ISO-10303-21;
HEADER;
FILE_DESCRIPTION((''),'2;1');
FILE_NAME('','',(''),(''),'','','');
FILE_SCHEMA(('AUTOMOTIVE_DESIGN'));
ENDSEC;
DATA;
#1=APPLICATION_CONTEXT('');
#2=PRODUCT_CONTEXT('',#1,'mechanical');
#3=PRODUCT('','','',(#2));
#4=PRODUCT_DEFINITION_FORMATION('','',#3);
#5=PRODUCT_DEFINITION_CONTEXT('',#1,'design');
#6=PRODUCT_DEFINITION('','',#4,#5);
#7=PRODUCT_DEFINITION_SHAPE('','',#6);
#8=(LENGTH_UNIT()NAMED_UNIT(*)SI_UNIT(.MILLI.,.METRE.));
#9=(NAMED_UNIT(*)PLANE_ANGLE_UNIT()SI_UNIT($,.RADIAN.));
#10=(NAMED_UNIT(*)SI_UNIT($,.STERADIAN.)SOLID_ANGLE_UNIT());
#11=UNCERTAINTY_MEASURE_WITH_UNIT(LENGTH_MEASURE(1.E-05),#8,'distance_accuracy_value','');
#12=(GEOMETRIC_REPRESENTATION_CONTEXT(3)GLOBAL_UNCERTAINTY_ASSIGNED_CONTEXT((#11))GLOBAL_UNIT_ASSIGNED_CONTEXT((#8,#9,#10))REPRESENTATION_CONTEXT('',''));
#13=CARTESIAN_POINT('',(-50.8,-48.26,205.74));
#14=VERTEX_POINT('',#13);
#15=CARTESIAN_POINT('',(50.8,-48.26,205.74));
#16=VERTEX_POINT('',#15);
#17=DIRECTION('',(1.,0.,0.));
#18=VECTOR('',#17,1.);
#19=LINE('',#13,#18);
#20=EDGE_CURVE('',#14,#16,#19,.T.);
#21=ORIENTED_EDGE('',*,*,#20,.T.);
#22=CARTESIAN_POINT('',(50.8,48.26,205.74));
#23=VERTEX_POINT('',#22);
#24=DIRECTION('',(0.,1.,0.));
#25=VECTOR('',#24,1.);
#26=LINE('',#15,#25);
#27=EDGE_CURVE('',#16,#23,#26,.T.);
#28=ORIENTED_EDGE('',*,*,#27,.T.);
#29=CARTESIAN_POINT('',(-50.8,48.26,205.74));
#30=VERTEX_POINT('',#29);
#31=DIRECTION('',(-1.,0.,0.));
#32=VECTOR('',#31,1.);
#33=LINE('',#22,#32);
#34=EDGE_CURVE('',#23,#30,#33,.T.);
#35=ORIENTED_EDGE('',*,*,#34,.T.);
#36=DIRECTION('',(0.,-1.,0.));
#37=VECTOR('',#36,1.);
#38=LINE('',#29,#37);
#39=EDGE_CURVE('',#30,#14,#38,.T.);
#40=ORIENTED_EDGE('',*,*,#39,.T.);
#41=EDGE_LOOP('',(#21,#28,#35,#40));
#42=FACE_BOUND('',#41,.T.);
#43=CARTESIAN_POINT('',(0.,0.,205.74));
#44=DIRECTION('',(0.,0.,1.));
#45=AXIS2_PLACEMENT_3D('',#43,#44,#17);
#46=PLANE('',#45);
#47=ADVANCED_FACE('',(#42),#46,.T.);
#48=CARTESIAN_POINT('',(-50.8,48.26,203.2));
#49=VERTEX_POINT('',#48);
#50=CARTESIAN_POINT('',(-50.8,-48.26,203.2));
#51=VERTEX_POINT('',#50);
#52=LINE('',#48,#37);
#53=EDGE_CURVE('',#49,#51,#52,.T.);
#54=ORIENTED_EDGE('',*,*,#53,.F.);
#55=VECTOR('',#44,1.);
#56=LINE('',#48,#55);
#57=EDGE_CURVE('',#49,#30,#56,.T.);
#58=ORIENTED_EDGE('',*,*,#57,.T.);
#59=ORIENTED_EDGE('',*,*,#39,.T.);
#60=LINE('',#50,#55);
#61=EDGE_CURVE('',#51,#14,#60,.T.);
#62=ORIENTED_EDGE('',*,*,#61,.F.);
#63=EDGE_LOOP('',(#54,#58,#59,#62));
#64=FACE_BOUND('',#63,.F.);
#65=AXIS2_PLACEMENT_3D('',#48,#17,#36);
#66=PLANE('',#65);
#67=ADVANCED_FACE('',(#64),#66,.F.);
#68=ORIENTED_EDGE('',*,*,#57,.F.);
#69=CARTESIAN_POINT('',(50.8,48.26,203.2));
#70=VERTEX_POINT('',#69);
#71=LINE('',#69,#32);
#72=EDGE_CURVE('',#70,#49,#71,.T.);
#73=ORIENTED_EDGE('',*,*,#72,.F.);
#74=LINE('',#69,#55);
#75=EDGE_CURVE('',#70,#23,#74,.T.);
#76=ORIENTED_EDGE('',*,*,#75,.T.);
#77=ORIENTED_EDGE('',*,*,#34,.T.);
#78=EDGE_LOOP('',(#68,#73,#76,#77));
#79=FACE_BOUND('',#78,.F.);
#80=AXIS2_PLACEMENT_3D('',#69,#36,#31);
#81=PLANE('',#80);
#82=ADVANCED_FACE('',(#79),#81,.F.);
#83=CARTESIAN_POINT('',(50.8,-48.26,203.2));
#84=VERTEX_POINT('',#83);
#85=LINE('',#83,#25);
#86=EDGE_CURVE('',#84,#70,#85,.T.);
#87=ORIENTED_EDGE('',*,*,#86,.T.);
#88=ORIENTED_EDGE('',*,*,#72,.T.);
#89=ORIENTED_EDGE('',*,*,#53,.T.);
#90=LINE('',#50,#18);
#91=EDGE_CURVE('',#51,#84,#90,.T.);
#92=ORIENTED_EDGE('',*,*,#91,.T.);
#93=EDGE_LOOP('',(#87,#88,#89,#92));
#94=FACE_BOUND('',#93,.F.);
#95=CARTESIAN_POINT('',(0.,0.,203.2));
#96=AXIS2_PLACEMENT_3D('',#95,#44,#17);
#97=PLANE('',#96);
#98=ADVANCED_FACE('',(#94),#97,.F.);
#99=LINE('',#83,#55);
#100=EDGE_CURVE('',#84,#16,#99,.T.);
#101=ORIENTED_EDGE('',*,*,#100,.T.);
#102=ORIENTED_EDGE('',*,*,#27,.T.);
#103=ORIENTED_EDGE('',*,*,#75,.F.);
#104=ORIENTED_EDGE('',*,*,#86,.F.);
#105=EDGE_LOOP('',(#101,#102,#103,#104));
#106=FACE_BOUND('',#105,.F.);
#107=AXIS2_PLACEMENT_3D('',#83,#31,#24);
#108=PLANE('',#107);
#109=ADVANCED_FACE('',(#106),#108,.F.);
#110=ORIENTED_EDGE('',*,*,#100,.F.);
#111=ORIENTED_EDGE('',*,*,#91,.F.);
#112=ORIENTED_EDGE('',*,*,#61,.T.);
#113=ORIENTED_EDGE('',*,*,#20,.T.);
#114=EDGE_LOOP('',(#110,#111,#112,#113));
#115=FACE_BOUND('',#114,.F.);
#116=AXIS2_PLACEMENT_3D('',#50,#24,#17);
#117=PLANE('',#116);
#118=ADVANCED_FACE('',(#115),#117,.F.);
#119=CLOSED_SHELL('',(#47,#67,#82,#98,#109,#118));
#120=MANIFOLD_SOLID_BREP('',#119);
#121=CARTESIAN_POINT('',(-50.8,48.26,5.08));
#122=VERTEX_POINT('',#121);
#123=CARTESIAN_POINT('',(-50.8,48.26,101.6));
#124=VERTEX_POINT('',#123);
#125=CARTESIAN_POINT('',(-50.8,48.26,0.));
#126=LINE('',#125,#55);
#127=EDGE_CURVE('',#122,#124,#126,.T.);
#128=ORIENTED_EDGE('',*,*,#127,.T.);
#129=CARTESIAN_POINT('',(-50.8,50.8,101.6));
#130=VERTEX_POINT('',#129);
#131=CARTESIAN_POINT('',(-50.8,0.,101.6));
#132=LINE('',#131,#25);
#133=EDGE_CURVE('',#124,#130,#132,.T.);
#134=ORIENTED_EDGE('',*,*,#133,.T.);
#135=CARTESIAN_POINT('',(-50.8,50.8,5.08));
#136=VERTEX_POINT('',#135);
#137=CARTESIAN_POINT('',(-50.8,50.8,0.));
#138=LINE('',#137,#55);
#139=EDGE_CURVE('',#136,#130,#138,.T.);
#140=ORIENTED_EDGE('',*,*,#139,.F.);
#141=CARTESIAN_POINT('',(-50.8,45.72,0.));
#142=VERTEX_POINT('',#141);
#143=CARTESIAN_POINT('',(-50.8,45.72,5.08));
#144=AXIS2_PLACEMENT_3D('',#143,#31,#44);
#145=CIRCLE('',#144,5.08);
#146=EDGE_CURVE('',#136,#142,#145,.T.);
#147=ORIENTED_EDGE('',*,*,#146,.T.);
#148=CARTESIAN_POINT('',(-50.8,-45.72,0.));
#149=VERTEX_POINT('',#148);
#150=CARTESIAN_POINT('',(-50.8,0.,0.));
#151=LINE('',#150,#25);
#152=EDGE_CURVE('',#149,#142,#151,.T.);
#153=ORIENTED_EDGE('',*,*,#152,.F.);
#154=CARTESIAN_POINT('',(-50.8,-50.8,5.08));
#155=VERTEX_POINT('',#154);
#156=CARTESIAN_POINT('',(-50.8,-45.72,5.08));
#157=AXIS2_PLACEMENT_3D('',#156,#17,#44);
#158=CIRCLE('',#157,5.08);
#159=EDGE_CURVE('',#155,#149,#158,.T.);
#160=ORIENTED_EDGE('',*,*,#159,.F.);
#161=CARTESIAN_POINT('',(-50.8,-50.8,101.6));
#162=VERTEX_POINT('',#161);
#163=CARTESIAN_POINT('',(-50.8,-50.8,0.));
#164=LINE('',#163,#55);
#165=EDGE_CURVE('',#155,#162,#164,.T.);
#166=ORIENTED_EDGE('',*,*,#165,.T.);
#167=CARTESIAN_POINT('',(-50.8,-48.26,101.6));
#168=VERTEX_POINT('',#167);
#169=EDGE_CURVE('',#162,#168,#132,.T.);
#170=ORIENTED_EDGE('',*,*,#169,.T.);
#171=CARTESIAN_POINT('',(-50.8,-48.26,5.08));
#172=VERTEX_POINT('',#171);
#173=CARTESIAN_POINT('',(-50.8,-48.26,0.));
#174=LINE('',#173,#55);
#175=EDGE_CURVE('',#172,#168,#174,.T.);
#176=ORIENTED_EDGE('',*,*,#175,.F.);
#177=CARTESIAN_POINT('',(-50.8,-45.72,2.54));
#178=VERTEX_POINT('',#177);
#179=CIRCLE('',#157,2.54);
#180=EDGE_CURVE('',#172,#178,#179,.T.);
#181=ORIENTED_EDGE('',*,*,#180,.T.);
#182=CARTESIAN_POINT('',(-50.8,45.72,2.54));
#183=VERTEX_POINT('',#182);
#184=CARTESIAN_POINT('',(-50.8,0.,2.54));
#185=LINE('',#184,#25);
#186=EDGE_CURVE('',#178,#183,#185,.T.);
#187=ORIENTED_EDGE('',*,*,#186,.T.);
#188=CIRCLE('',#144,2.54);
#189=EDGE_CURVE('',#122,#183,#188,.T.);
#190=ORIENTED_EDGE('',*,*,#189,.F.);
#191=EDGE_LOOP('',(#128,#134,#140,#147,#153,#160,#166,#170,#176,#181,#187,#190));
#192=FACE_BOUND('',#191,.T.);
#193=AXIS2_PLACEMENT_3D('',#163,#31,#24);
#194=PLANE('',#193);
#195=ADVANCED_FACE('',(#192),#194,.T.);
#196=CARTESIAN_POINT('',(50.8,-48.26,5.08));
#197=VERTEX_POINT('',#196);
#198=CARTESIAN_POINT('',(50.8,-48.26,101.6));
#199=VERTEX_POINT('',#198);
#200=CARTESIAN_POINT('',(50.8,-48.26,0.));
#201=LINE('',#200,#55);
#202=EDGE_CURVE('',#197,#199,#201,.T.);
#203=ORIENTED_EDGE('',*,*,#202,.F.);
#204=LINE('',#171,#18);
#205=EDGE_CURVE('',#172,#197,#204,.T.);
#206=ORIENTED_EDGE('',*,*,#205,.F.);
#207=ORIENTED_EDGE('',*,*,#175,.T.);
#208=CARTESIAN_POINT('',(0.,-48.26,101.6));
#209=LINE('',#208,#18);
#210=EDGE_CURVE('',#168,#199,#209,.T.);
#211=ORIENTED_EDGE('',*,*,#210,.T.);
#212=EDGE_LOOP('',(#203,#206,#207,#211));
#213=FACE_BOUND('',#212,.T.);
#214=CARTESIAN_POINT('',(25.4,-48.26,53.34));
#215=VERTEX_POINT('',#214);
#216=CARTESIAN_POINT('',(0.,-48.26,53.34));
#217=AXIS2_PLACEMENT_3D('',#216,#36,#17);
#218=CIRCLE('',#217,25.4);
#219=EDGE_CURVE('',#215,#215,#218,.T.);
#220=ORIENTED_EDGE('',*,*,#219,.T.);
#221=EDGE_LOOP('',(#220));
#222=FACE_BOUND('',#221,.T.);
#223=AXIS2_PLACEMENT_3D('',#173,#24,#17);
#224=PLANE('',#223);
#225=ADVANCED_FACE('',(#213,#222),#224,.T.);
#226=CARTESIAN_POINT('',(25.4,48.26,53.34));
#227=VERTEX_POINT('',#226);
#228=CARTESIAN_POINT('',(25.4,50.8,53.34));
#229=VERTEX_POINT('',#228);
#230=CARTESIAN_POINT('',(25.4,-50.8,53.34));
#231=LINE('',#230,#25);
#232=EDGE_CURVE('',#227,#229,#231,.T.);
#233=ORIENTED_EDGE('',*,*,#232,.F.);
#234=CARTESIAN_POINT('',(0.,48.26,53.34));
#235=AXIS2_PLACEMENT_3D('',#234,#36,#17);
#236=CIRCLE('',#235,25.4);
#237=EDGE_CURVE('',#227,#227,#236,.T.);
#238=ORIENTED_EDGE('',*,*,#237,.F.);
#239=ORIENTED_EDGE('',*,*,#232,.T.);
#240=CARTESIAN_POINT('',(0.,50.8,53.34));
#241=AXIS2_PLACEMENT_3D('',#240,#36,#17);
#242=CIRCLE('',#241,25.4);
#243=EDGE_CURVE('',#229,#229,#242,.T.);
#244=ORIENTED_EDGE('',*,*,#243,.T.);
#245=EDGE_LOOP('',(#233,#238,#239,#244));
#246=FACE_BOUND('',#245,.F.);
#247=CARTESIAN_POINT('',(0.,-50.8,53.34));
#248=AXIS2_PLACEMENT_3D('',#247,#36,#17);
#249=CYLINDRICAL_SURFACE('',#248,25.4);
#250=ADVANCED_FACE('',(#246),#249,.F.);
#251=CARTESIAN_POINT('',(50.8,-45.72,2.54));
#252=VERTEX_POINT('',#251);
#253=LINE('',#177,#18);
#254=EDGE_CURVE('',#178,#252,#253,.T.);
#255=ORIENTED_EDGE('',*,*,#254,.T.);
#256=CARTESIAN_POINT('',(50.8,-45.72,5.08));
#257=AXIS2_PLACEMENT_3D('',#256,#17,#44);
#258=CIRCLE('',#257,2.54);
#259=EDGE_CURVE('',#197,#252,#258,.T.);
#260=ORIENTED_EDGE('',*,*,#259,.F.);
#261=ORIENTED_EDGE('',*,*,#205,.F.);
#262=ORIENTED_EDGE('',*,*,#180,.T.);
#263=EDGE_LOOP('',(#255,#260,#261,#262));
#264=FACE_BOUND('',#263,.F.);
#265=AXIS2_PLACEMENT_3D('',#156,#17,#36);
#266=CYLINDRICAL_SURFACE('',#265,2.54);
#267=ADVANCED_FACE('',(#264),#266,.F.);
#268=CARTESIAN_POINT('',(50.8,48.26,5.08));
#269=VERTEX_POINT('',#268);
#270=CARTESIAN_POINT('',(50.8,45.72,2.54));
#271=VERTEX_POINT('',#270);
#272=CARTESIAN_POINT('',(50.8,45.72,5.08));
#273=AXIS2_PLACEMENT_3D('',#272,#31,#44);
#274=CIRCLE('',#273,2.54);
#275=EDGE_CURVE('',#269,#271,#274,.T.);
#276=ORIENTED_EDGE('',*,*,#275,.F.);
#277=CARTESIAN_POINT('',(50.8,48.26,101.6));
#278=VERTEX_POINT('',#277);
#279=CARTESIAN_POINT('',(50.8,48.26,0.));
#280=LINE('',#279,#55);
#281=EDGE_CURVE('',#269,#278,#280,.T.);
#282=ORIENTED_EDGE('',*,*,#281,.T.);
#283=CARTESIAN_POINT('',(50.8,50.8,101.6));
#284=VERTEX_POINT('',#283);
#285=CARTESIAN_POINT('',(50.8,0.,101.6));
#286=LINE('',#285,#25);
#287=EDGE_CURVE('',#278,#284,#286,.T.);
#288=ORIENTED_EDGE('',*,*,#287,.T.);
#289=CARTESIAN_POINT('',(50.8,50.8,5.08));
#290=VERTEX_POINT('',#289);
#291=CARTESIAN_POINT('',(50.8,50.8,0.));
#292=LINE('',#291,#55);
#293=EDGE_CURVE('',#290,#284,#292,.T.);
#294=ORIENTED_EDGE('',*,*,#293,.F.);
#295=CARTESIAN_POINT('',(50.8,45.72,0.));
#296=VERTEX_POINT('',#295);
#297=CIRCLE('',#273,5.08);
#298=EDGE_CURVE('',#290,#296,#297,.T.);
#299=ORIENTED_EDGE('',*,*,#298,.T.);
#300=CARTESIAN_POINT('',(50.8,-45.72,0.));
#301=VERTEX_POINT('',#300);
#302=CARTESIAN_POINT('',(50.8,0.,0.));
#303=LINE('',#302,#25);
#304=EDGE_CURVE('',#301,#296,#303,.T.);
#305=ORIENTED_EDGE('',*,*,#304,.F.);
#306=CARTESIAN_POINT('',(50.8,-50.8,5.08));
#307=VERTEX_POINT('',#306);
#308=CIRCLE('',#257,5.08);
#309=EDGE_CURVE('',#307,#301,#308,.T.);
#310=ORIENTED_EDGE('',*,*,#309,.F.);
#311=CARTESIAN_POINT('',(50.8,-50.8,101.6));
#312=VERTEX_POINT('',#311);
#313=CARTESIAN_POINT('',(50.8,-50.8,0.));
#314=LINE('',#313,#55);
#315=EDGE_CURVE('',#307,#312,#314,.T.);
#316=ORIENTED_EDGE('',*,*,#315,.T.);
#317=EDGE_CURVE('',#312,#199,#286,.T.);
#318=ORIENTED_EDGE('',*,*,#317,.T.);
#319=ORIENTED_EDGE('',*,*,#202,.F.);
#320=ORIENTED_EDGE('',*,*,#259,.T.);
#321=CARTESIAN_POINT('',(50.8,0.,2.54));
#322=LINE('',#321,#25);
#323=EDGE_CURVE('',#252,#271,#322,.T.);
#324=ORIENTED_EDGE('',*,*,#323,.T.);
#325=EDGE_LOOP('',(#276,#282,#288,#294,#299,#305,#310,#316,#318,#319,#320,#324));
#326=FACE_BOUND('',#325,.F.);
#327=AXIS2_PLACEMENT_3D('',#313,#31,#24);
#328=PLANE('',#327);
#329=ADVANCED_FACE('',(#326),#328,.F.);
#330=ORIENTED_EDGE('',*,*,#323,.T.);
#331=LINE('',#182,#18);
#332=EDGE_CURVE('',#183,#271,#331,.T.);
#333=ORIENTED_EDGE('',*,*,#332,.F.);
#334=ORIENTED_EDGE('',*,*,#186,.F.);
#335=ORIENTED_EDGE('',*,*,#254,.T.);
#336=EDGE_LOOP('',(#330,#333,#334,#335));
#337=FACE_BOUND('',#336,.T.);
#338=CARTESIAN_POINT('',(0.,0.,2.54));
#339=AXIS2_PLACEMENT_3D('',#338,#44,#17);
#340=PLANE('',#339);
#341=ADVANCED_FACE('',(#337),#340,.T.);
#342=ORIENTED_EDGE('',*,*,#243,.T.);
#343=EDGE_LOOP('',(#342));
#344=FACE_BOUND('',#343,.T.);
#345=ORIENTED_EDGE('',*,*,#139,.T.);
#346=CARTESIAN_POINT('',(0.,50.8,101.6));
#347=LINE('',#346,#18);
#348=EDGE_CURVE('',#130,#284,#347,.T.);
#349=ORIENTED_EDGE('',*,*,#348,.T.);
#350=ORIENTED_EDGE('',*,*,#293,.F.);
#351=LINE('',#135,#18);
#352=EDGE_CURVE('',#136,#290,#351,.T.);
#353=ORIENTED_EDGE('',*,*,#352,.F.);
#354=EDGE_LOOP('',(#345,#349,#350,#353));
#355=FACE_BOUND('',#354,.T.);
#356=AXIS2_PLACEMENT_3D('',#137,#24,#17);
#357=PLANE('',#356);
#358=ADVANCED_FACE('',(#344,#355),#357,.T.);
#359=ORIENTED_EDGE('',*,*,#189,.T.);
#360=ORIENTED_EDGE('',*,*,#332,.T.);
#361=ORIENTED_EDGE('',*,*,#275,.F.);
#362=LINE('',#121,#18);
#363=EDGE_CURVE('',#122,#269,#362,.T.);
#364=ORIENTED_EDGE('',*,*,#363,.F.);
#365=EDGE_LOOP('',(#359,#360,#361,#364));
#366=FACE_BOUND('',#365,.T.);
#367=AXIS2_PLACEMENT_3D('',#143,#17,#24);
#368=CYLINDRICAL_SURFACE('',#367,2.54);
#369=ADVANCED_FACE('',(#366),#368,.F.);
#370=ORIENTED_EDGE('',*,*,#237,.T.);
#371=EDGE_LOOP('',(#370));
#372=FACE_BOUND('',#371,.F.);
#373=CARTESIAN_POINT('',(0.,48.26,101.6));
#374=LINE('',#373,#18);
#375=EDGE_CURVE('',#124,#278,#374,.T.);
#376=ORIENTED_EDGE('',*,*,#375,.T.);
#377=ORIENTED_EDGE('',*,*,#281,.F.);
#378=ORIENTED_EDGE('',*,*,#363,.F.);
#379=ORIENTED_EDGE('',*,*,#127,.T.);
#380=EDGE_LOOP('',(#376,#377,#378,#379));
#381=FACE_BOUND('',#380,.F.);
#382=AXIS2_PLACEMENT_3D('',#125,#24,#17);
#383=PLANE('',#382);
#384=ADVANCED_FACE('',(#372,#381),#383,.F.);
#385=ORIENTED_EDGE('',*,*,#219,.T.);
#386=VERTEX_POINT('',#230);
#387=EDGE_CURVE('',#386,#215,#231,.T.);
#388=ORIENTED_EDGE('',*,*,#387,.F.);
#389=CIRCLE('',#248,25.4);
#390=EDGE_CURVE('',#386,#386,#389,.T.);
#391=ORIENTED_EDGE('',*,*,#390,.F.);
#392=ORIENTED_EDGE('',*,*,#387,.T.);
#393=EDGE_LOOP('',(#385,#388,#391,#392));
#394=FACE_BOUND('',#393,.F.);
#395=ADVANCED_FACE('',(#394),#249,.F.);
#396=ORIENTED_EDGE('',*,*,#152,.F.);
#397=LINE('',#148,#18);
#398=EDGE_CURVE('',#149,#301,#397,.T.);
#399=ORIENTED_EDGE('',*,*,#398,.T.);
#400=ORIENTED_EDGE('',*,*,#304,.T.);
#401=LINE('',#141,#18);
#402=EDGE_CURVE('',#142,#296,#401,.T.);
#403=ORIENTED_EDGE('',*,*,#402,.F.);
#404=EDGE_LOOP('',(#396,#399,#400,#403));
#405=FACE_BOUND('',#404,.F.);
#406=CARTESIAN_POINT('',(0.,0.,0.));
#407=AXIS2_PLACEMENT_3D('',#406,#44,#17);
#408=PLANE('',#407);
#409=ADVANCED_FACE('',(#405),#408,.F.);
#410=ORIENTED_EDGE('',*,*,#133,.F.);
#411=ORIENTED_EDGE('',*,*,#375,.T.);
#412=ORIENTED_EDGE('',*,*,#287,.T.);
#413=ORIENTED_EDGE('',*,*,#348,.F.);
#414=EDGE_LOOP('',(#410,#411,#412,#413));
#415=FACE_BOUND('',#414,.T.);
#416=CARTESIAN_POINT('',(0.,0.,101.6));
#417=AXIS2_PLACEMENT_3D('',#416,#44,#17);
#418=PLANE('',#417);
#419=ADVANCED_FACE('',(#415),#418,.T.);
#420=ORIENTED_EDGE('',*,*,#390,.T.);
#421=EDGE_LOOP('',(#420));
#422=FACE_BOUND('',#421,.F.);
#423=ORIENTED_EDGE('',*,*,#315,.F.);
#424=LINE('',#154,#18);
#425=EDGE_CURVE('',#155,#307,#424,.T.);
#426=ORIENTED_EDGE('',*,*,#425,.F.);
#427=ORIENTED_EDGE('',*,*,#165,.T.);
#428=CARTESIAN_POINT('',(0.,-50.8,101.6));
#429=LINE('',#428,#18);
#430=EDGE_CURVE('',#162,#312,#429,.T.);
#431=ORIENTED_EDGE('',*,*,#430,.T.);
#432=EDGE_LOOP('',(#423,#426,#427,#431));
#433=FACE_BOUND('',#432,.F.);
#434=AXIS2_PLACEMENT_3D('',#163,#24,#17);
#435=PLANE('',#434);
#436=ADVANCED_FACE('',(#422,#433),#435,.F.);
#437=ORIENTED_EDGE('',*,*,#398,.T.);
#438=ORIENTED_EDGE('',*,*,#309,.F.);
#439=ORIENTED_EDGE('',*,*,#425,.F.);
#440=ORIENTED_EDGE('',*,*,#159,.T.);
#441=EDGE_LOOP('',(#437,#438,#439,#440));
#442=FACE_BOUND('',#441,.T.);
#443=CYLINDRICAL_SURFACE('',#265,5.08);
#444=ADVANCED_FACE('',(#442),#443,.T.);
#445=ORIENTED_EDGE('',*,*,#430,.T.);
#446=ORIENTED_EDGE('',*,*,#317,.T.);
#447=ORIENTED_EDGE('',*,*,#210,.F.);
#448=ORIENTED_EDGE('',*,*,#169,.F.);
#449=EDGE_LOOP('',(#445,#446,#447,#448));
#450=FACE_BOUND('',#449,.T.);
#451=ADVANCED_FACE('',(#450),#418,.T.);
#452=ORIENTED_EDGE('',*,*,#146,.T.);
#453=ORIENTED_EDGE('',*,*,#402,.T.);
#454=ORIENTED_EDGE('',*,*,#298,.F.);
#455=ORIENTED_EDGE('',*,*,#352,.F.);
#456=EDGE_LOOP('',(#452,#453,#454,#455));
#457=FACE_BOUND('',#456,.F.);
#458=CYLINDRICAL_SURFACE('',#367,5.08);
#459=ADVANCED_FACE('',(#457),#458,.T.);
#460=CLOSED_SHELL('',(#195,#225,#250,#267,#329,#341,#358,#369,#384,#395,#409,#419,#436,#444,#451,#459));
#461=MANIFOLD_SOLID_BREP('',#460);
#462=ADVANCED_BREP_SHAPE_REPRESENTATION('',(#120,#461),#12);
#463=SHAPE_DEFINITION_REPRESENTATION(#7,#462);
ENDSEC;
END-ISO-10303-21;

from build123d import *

# Parameters (mm, degrees)
F0_W     = 101.6
F0_H     = 101.6
F1_DEPTH = 101.6
F2_R     = 5.08
F3_T     = -2.54
F4_R     = 25.4
F5_DEPTH = 101.601
F8_DEPTH = 2.54


with BuildPart() as f1:
    # F0 (on Top) → F1 (new body)
    with BuildSketch(Plane.XY):
        Rectangle(F0_W, F0_H)
    extrude(amount=F1_DEPTH)

    # F2
    f2_edges = [f1.edges().sort_by_distance(p)[0] for p in [
        (0, -50.8, 0),
        (0, 50.8, 0),
    ]]
    fillet(f2_edges, radius=F2_R)

    # F3
    f3_openings = [f1.faces().sort_by_distance(p)[0] for p in [
        (0, 0, 101.6),
        (-50.8, 0, 50.853349),
        (50.8, 0, 50.853349),
    ]]
    offset(amount=F3_T, openings=f3_openings)

    # F4 (on face) → F5 (cut, through all)
    with BuildSketch(Plane.XZ.offset(50.8)):
        with Locations((0, 53.34)):
            Circle(F4_R)
    extrude(amount=-F5_DEPTH, mode=Mode.SUBTRACT)


with BuildPart() as f8:
    # F7 (on offset) → F8 (new body)
    with BuildSketch(Plane.XY.offset(203.2)):
        Polygon((-50.8, 48.26), (-50.8, 45.72), (-50.8, -45.72), (-50.8, -48.26), (50.8, -48.26), (50.8, -45.72), (50.8, 45.72), (50.8, 48.26), align=None)
    extrude(amount=F8_DEPTH)


solid = Compound([f1.part, f8.part])
